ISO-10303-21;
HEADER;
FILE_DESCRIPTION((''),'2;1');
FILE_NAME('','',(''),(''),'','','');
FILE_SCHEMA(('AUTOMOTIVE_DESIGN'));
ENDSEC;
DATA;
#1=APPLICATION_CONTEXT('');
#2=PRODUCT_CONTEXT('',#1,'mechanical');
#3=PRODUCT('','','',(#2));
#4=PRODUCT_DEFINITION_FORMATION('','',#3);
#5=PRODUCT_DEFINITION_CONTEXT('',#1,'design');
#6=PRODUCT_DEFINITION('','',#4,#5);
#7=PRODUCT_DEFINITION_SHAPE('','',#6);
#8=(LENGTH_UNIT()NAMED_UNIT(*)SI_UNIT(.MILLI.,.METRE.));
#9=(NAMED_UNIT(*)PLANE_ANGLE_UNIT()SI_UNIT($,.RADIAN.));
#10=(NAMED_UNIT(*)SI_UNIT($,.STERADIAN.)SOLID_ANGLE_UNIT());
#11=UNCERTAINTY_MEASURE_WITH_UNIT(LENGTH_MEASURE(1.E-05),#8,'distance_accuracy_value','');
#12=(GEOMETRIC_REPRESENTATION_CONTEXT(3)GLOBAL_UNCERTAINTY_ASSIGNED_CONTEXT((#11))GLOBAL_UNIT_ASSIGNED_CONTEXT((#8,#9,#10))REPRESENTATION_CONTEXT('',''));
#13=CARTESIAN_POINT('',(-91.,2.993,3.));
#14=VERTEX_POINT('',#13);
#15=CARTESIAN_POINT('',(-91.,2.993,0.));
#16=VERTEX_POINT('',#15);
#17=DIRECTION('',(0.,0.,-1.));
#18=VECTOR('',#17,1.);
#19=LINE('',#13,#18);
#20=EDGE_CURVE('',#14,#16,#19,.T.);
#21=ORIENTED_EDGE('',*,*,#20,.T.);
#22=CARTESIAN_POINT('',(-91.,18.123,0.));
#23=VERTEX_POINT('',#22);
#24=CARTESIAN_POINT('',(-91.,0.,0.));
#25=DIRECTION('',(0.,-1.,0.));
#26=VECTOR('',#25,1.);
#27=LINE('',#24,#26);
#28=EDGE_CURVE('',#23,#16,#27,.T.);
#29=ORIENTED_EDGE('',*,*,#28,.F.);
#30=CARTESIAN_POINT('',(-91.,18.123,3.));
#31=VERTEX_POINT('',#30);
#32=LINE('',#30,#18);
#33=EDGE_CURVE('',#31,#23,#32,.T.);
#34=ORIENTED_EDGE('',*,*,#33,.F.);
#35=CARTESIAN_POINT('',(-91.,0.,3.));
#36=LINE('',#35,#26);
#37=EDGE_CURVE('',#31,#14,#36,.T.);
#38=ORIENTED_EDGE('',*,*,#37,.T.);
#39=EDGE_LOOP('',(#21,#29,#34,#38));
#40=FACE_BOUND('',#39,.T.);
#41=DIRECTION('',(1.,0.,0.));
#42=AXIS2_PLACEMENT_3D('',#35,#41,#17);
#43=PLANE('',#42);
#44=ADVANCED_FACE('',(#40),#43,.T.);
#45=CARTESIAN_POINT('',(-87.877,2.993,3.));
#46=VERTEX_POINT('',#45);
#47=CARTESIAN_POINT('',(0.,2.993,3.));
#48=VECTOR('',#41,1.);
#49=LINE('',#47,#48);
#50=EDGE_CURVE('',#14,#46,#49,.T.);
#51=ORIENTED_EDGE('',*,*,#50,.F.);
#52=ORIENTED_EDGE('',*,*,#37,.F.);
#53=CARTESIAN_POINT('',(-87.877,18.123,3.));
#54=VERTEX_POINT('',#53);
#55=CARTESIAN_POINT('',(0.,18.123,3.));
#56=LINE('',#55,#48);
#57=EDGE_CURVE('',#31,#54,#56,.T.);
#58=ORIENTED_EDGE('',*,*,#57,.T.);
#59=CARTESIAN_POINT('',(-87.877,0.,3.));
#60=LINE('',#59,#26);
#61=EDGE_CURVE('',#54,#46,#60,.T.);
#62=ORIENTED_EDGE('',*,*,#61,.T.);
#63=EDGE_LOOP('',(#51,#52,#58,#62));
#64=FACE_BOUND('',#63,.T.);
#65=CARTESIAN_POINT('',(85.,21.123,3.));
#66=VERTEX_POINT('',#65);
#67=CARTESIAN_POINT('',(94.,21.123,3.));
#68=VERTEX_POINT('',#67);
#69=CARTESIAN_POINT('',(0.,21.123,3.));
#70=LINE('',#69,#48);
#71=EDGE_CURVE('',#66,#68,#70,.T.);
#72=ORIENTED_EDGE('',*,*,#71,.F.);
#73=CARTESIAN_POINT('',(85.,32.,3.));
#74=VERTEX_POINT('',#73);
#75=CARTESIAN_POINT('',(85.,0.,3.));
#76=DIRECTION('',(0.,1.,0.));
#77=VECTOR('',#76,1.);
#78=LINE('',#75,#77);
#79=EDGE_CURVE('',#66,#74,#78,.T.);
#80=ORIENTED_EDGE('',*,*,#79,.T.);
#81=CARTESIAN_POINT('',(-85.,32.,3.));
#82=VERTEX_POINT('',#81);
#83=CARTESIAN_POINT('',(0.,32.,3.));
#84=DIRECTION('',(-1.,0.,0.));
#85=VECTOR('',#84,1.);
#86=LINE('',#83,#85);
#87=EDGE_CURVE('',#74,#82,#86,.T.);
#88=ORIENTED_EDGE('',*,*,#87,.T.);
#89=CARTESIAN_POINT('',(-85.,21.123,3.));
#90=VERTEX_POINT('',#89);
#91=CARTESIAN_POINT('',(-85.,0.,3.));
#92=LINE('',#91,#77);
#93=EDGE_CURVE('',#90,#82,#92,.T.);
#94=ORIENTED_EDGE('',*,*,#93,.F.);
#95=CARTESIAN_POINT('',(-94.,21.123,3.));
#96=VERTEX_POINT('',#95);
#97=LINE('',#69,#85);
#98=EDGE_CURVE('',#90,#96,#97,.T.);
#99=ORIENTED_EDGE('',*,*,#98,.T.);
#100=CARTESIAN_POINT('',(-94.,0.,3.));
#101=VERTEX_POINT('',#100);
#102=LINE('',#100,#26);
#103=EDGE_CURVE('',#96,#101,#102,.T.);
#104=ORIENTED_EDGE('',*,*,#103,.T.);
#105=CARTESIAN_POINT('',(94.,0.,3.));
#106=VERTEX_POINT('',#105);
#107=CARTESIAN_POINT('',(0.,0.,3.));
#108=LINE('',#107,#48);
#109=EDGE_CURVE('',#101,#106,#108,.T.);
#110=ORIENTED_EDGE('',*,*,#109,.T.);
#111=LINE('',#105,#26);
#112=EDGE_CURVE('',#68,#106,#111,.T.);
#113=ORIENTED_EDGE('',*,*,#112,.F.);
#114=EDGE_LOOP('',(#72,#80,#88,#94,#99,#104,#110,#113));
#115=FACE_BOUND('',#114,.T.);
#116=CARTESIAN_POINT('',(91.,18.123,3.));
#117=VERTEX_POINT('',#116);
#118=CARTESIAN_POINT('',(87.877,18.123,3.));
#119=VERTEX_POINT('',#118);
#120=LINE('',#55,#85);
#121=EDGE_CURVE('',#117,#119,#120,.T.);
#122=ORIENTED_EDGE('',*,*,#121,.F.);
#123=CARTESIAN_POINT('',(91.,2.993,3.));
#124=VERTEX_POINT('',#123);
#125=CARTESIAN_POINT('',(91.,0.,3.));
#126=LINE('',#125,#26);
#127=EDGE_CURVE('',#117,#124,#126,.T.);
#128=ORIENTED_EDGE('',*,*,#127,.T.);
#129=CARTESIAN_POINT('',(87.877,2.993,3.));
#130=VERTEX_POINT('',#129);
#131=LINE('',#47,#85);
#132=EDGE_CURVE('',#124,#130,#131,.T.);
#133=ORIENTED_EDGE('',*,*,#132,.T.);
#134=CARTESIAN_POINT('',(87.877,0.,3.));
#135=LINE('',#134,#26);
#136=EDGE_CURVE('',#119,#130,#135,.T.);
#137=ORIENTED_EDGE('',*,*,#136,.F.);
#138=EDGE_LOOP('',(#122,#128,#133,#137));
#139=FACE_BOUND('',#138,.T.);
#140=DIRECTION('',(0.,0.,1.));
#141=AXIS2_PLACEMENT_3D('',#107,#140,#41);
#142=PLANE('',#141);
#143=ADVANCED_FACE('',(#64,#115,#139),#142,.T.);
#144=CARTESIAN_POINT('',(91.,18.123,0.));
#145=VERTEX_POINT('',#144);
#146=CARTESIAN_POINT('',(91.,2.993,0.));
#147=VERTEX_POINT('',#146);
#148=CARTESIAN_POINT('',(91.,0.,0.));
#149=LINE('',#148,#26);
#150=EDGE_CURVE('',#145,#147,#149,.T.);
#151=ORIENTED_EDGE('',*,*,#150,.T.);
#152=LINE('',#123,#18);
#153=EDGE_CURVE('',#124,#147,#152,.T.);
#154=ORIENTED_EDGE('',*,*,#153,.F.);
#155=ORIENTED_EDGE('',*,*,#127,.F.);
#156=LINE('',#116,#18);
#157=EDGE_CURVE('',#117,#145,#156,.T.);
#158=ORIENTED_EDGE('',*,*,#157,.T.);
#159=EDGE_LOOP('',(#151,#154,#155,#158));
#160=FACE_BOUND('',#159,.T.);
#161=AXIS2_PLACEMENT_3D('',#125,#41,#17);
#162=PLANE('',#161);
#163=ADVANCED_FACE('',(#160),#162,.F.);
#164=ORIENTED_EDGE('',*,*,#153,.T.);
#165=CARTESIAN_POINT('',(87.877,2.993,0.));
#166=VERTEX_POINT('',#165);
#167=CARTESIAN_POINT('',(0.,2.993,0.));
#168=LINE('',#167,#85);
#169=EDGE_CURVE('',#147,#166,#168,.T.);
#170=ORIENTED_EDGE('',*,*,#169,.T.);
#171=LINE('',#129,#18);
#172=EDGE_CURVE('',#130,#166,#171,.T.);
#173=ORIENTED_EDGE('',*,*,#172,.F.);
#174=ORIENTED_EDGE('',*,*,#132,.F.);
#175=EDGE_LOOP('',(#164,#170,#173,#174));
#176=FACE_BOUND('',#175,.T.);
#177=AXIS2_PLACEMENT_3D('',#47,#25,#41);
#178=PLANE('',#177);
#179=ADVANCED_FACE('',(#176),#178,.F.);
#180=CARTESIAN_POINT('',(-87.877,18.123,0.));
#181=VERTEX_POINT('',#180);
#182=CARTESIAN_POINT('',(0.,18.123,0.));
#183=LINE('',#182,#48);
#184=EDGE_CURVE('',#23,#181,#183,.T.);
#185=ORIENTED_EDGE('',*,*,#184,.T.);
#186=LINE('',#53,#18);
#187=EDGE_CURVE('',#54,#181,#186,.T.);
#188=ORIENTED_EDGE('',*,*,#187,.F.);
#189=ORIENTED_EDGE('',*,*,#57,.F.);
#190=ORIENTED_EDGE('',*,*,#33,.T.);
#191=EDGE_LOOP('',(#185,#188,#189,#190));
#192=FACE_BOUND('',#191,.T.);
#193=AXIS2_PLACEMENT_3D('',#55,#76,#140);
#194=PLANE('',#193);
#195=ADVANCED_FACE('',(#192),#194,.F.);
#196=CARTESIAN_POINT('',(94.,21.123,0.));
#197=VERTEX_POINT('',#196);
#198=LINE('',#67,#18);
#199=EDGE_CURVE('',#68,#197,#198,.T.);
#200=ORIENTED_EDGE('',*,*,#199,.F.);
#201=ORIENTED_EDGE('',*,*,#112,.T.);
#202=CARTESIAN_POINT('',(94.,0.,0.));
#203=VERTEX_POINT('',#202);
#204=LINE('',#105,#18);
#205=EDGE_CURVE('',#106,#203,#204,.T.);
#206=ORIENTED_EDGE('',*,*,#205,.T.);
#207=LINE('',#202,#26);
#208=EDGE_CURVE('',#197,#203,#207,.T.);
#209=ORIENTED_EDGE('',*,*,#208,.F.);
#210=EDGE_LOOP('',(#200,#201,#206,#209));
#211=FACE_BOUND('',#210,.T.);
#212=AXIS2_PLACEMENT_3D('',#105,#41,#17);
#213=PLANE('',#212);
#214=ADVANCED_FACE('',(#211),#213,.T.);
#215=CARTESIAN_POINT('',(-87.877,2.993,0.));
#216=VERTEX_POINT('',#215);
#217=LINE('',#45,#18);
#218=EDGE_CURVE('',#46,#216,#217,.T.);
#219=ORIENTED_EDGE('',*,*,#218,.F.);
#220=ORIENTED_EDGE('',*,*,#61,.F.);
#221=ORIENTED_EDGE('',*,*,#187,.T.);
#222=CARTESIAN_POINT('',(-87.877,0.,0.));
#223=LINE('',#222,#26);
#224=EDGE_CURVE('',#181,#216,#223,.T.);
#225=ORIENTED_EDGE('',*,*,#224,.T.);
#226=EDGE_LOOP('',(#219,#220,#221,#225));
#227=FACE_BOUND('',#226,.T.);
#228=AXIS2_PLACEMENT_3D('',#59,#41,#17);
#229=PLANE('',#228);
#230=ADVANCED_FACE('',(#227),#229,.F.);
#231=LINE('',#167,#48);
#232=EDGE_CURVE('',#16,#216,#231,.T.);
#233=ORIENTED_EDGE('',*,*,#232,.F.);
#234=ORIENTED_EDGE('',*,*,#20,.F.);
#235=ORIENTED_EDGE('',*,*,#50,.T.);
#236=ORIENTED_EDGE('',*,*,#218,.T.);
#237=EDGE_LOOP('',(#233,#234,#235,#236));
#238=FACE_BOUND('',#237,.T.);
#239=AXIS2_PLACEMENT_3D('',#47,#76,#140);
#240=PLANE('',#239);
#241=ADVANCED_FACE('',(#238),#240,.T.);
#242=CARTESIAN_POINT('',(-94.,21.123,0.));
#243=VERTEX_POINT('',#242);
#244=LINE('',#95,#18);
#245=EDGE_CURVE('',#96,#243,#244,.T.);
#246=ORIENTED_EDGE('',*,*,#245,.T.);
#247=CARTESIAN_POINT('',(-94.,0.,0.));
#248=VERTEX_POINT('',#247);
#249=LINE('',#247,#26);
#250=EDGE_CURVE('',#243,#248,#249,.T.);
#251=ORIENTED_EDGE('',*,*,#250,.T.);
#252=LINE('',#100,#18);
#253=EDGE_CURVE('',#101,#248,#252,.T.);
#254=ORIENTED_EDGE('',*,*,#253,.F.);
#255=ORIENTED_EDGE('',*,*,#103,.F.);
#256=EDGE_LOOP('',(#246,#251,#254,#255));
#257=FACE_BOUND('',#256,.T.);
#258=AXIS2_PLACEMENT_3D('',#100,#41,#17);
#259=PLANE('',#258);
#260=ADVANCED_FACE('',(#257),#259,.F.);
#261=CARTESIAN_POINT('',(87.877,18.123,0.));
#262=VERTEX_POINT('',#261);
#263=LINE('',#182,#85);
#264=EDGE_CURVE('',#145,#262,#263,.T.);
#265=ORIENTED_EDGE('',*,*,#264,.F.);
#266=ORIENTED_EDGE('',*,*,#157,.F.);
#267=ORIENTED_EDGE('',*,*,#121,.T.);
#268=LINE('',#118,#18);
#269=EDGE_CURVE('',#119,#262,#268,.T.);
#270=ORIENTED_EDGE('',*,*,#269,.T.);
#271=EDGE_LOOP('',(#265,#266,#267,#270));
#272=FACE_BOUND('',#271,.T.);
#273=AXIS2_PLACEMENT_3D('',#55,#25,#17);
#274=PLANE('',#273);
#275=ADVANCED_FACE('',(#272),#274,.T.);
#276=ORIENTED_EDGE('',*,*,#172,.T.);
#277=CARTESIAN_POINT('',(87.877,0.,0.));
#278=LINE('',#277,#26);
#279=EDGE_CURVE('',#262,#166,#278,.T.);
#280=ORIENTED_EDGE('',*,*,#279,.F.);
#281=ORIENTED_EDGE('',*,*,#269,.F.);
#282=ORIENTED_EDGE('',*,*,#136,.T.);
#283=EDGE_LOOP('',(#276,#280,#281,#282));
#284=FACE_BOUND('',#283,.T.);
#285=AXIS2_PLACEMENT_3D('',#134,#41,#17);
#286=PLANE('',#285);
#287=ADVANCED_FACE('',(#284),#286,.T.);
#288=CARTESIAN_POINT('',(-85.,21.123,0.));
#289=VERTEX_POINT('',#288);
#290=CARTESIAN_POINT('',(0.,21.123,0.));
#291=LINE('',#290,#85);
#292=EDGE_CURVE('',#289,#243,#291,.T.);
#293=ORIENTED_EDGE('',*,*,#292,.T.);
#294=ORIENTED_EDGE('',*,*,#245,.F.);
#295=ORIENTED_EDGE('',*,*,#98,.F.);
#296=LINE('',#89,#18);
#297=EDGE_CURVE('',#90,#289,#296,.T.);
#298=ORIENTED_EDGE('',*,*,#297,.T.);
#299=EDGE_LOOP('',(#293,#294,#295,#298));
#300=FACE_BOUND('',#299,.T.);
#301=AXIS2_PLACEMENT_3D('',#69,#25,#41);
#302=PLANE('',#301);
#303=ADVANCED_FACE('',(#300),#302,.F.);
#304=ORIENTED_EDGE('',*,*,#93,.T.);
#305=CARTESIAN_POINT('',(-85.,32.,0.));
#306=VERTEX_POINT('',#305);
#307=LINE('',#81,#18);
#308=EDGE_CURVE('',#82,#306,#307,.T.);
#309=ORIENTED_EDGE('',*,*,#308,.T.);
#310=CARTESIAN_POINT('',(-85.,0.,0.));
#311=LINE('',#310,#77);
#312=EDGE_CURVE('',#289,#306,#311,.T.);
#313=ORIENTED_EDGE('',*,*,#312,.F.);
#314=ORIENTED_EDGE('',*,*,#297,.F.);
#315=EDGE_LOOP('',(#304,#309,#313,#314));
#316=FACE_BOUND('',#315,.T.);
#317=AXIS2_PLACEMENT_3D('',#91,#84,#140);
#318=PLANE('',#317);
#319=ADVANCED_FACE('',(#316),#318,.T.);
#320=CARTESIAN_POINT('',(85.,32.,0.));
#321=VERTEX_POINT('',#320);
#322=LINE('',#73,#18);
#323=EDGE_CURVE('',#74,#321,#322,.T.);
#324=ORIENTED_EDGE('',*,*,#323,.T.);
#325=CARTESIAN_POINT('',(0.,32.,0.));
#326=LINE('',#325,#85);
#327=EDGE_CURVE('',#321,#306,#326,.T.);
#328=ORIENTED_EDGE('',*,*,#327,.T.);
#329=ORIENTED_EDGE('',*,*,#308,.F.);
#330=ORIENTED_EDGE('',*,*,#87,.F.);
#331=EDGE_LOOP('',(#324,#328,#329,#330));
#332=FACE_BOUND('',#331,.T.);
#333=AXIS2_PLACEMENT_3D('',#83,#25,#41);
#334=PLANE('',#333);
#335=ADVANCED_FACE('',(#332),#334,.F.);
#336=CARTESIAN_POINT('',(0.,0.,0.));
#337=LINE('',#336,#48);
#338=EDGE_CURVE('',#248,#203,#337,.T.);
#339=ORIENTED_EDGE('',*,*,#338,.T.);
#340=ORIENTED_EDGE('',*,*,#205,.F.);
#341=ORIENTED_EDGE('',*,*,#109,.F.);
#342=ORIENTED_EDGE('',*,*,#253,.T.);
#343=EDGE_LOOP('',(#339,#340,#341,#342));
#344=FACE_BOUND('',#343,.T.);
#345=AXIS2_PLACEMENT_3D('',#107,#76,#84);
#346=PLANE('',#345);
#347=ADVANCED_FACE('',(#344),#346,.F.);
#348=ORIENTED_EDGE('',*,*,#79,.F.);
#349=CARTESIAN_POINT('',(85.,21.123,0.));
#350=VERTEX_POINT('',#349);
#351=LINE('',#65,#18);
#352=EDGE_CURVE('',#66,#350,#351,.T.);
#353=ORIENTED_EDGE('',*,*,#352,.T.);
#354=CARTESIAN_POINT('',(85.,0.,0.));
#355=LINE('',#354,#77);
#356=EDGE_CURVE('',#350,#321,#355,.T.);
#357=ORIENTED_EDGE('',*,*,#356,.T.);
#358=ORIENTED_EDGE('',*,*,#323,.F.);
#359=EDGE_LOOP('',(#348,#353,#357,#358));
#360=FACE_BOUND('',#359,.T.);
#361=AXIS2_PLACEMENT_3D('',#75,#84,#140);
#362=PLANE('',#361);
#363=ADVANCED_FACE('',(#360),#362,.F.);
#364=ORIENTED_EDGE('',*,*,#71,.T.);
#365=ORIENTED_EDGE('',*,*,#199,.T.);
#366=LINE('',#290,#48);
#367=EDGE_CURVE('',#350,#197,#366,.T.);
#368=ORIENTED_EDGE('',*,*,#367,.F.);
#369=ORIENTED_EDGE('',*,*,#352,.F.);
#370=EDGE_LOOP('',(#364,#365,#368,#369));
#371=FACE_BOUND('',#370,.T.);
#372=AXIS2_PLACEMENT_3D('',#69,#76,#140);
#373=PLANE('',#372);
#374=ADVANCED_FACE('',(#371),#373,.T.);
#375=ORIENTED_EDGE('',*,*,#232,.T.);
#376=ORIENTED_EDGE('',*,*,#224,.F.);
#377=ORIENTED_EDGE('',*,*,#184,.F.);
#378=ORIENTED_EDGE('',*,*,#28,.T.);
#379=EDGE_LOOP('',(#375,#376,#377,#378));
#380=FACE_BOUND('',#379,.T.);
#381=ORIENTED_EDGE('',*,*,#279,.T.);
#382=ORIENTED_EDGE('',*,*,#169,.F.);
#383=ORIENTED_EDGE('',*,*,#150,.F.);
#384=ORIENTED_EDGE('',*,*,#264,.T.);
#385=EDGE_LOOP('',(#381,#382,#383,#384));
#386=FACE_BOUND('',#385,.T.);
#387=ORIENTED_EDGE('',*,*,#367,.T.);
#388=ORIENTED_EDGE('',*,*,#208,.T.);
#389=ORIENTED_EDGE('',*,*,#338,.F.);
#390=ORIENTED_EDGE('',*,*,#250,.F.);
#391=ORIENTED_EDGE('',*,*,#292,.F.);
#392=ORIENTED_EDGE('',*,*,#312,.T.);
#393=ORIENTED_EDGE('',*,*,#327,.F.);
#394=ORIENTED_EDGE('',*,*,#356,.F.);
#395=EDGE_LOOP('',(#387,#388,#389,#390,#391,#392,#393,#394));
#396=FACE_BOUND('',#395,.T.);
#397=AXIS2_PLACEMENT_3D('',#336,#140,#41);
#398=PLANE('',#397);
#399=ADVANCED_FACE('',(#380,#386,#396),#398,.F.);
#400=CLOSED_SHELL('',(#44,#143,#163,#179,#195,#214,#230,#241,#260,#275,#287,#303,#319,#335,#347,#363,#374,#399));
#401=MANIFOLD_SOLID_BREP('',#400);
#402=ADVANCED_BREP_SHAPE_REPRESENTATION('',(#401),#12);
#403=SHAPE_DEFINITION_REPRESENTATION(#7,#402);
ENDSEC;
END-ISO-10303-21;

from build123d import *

# Parameters (mm, degrees)
CROQUIS1_W              = 3.123
CROQUIS1_H              = 15.13
SALIENTE_EXTRUIR1_DEPTH = 3


with BuildPart() as part:
    # Croquis1 → Saliente-Extruir1 (new body)
    with BuildSketch(Plane.XY):
        Polygon((-94, 0), (94, 0), (94, 21.123), (85, 21.123), (85, 32), (-85, 32), (-85, 21.123), (-94, 21.123), align=None)
        with Locations((-89.4385, 10.558)):
            Rectangle(CROQUIS1_W, CROQUIS1_H, mode=Mode.SUBTRACT)
        with Locations((89.4385, 10.558)):
            Rectangle(CROQUIS1_W, CROQUIS1_H, mode=Mode.SUBTRACT)
    extrude(amount=SALIENTE_EXTRUIR1_DEPTH)


solid = part.part
